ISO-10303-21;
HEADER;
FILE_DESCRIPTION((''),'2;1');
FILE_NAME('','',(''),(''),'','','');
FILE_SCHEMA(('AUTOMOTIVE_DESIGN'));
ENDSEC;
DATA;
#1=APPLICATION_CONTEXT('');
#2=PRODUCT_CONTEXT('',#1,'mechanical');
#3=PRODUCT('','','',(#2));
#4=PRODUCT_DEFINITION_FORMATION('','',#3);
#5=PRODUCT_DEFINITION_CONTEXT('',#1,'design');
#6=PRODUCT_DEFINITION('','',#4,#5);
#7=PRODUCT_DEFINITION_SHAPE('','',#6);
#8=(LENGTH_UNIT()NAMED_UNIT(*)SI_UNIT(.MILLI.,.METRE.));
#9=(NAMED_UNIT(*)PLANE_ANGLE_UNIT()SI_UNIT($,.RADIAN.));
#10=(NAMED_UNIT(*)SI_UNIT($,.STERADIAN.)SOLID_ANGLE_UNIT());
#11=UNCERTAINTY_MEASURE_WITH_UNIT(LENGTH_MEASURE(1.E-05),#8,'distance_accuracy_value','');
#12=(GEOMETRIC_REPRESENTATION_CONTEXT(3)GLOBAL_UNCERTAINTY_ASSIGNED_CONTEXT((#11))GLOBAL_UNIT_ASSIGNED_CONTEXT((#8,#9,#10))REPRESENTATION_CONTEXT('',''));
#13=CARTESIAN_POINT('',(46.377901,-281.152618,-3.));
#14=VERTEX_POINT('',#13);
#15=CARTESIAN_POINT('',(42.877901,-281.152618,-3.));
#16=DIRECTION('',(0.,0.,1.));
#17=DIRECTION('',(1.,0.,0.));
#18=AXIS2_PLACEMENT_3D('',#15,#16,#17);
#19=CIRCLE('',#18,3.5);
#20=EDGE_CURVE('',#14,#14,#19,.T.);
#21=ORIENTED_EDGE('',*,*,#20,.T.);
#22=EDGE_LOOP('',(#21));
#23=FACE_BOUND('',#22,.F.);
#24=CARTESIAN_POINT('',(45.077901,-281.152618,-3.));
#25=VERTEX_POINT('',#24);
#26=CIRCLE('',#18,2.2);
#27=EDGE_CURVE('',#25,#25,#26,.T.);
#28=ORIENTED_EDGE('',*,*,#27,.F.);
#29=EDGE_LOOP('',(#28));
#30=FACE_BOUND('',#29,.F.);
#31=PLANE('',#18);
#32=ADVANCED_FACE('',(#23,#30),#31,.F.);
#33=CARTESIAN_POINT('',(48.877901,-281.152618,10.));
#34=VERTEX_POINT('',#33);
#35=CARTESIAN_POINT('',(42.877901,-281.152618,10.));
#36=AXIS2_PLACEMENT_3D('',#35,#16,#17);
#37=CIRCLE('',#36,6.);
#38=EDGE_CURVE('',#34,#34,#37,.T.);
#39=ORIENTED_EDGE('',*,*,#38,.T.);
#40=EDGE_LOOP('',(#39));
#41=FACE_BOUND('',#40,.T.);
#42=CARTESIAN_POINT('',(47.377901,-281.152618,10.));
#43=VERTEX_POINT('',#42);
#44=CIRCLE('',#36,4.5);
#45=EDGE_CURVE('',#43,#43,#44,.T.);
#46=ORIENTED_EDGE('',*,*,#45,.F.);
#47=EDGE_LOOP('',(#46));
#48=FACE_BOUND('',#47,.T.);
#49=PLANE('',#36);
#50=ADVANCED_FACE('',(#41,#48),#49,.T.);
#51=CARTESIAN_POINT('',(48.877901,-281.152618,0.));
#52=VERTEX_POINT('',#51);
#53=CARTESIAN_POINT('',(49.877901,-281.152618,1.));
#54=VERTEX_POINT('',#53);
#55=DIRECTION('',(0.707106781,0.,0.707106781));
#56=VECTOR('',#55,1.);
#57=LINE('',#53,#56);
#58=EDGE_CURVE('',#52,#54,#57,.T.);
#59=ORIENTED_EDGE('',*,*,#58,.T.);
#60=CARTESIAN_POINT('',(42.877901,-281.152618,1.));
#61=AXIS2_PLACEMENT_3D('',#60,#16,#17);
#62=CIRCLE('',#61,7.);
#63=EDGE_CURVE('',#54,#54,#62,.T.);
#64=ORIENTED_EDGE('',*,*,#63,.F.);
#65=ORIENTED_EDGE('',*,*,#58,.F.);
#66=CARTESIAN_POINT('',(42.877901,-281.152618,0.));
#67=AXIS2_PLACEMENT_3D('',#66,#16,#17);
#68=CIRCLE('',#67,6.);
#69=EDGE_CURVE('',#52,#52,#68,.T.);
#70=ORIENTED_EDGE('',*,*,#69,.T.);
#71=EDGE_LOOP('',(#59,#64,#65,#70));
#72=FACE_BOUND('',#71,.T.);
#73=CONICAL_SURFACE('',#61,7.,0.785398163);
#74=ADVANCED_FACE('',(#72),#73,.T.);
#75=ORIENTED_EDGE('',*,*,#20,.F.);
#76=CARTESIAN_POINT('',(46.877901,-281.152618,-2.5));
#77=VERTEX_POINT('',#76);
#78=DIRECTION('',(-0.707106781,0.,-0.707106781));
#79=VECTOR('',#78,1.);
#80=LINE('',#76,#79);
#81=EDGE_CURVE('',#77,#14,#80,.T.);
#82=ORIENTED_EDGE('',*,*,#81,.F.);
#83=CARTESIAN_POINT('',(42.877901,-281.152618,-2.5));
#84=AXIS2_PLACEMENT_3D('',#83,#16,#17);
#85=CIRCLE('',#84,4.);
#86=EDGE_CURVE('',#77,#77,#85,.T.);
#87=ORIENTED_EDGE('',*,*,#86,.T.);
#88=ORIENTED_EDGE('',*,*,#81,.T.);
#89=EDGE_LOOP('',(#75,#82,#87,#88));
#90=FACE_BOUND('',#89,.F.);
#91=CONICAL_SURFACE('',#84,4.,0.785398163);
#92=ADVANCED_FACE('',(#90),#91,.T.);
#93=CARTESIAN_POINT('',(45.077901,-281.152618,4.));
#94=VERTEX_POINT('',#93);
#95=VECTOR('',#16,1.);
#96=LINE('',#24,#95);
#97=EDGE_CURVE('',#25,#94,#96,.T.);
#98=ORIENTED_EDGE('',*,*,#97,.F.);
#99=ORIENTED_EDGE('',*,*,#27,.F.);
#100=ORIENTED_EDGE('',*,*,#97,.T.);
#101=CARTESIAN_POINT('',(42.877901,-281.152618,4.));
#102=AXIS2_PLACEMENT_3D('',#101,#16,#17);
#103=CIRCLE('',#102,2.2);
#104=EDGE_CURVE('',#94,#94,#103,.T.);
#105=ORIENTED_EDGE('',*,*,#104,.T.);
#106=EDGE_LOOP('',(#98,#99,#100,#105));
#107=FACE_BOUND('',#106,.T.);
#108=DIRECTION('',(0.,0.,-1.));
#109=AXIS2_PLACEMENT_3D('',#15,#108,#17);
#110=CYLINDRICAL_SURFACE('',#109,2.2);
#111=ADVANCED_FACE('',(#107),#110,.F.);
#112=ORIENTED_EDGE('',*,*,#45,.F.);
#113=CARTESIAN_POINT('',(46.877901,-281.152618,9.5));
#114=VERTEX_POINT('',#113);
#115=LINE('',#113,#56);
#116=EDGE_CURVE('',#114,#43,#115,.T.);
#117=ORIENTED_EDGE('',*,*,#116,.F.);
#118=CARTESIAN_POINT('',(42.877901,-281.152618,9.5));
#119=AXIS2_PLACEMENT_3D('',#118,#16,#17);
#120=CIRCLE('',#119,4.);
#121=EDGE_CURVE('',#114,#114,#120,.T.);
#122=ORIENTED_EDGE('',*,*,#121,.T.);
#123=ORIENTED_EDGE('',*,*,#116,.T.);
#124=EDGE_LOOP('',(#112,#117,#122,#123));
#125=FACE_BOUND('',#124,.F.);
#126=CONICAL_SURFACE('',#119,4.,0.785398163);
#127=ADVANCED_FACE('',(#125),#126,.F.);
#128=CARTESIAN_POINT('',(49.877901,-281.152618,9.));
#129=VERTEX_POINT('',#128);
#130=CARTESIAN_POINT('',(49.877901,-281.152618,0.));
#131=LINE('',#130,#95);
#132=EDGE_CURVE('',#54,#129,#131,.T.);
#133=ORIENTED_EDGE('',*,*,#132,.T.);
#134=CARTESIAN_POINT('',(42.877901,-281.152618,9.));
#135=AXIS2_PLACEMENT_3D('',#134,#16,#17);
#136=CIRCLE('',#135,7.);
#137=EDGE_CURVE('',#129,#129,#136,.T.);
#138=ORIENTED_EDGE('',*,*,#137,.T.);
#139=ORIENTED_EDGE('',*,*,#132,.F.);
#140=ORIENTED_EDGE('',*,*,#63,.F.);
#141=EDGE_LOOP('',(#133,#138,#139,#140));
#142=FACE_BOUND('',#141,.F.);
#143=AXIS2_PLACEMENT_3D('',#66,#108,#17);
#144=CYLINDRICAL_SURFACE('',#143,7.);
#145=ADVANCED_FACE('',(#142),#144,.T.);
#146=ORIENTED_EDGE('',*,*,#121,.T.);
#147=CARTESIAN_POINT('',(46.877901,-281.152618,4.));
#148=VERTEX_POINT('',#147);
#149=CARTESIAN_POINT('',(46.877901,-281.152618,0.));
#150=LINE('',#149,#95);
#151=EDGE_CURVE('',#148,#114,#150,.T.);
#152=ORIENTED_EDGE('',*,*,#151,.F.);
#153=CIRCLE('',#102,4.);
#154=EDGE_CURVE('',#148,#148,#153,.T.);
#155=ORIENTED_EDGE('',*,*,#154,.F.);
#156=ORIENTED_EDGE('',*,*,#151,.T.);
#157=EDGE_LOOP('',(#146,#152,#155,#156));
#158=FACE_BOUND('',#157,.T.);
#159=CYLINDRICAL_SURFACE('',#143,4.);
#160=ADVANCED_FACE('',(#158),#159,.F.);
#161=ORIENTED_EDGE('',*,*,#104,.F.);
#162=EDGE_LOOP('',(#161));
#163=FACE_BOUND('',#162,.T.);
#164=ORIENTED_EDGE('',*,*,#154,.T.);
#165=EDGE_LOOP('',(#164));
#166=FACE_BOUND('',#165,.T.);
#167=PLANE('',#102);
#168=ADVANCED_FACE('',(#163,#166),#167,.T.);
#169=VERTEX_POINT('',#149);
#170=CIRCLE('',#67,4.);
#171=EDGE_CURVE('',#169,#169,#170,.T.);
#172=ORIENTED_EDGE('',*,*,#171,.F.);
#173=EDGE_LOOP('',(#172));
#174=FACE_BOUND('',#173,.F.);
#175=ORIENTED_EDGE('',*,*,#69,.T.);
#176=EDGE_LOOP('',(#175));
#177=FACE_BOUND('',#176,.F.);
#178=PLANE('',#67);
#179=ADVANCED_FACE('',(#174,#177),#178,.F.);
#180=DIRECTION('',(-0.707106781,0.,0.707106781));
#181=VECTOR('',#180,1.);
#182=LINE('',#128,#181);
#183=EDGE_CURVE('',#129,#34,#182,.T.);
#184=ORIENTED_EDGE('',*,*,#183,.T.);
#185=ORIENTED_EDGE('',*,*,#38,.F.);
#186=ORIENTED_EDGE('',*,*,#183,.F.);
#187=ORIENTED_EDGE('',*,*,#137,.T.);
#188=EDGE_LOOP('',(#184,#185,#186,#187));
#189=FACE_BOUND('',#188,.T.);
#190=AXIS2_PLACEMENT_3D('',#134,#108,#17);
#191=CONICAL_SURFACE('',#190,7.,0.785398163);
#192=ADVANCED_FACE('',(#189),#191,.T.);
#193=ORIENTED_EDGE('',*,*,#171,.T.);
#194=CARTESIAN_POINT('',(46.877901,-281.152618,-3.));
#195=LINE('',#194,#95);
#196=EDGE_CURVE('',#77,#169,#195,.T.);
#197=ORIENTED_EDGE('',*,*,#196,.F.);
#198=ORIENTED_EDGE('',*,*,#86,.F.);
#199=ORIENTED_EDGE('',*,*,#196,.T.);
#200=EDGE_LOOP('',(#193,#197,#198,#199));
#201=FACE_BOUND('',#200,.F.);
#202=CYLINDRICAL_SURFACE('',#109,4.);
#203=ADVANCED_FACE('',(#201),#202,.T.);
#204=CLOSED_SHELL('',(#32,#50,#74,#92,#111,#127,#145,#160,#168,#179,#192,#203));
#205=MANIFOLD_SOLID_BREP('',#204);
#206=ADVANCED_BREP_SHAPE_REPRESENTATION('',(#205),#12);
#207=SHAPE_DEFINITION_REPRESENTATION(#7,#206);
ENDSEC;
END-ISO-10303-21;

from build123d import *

# Parameters (mm, degrees)
SKETCH_1_R      = 7
SKETCH_1_R_2    = 4
EXTRUDE_1_DEPTH = 10
SKETCH_2_R      = 4
SKETCH_2_R_2    = 2.2
EXTRUDE_2_DEPTH = 7
CHAMFER_1_SIZE  = 1
CHAMFER_2_SIZE  = 0.5
CHAMFER_3_SIZE  = 0.5


with BuildPart() as part:
    # 草图1 → 凸台-拉伸1 (new body)
    with BuildSketch(Plane.XY):
        with Locations((42.877900702, -281.152618372)):
            Circle(SKETCH_1_R)
        with Locations((42.877900702, -281.152618372)):
            Circle(SKETCH_1_R_2, mode=Mode.SUBTRACT)
    extrude(amount=EXTRUDE_1_DEPTH)

    # 草图2 → 凸台-拉伸2 (add)
    with BuildSketch(Plane.XY.offset(-3)):
        with Locations((42.877900702, -281.152618372)):
            Circle(SKETCH_2_R)
        with Locations((42.877900702, -281.152618372)):
            Circle(SKETCH_2_R_2, mode=Mode.SUBTRACT)
    extrude(amount=EXTRUDE_2_DEPTH)

    # 倒角1
    chamfer_1_edges = [part.edges().sort_by_distance(p)[0] for p in [
        (35.877900702, -281.152618372, 0),
        (35.877900702, -281.152618372, 10),
    ]]
    chamfer(chamfer_1_edges, length=CHAMFER_1_SIZE)

    # 倒角2
    chamfer_2_edges = [part.edges().sort_by_distance(p)[0] for p in [
        (38.877900702, -281.152618372, -3),
    ]]
    chamfer(chamfer_2_edges, length=CHAMFER_2_SIZE)

    # 倒角3
    chamfer_3_edges = [part.edges().sort_by_distance(p)[0] for p in [
        (38.877900702, -281.152618372, 10),
    ]]
    chamfer(chamfer_3_edges, length=CHAMFER_3_SIZE)


solid = part.part
